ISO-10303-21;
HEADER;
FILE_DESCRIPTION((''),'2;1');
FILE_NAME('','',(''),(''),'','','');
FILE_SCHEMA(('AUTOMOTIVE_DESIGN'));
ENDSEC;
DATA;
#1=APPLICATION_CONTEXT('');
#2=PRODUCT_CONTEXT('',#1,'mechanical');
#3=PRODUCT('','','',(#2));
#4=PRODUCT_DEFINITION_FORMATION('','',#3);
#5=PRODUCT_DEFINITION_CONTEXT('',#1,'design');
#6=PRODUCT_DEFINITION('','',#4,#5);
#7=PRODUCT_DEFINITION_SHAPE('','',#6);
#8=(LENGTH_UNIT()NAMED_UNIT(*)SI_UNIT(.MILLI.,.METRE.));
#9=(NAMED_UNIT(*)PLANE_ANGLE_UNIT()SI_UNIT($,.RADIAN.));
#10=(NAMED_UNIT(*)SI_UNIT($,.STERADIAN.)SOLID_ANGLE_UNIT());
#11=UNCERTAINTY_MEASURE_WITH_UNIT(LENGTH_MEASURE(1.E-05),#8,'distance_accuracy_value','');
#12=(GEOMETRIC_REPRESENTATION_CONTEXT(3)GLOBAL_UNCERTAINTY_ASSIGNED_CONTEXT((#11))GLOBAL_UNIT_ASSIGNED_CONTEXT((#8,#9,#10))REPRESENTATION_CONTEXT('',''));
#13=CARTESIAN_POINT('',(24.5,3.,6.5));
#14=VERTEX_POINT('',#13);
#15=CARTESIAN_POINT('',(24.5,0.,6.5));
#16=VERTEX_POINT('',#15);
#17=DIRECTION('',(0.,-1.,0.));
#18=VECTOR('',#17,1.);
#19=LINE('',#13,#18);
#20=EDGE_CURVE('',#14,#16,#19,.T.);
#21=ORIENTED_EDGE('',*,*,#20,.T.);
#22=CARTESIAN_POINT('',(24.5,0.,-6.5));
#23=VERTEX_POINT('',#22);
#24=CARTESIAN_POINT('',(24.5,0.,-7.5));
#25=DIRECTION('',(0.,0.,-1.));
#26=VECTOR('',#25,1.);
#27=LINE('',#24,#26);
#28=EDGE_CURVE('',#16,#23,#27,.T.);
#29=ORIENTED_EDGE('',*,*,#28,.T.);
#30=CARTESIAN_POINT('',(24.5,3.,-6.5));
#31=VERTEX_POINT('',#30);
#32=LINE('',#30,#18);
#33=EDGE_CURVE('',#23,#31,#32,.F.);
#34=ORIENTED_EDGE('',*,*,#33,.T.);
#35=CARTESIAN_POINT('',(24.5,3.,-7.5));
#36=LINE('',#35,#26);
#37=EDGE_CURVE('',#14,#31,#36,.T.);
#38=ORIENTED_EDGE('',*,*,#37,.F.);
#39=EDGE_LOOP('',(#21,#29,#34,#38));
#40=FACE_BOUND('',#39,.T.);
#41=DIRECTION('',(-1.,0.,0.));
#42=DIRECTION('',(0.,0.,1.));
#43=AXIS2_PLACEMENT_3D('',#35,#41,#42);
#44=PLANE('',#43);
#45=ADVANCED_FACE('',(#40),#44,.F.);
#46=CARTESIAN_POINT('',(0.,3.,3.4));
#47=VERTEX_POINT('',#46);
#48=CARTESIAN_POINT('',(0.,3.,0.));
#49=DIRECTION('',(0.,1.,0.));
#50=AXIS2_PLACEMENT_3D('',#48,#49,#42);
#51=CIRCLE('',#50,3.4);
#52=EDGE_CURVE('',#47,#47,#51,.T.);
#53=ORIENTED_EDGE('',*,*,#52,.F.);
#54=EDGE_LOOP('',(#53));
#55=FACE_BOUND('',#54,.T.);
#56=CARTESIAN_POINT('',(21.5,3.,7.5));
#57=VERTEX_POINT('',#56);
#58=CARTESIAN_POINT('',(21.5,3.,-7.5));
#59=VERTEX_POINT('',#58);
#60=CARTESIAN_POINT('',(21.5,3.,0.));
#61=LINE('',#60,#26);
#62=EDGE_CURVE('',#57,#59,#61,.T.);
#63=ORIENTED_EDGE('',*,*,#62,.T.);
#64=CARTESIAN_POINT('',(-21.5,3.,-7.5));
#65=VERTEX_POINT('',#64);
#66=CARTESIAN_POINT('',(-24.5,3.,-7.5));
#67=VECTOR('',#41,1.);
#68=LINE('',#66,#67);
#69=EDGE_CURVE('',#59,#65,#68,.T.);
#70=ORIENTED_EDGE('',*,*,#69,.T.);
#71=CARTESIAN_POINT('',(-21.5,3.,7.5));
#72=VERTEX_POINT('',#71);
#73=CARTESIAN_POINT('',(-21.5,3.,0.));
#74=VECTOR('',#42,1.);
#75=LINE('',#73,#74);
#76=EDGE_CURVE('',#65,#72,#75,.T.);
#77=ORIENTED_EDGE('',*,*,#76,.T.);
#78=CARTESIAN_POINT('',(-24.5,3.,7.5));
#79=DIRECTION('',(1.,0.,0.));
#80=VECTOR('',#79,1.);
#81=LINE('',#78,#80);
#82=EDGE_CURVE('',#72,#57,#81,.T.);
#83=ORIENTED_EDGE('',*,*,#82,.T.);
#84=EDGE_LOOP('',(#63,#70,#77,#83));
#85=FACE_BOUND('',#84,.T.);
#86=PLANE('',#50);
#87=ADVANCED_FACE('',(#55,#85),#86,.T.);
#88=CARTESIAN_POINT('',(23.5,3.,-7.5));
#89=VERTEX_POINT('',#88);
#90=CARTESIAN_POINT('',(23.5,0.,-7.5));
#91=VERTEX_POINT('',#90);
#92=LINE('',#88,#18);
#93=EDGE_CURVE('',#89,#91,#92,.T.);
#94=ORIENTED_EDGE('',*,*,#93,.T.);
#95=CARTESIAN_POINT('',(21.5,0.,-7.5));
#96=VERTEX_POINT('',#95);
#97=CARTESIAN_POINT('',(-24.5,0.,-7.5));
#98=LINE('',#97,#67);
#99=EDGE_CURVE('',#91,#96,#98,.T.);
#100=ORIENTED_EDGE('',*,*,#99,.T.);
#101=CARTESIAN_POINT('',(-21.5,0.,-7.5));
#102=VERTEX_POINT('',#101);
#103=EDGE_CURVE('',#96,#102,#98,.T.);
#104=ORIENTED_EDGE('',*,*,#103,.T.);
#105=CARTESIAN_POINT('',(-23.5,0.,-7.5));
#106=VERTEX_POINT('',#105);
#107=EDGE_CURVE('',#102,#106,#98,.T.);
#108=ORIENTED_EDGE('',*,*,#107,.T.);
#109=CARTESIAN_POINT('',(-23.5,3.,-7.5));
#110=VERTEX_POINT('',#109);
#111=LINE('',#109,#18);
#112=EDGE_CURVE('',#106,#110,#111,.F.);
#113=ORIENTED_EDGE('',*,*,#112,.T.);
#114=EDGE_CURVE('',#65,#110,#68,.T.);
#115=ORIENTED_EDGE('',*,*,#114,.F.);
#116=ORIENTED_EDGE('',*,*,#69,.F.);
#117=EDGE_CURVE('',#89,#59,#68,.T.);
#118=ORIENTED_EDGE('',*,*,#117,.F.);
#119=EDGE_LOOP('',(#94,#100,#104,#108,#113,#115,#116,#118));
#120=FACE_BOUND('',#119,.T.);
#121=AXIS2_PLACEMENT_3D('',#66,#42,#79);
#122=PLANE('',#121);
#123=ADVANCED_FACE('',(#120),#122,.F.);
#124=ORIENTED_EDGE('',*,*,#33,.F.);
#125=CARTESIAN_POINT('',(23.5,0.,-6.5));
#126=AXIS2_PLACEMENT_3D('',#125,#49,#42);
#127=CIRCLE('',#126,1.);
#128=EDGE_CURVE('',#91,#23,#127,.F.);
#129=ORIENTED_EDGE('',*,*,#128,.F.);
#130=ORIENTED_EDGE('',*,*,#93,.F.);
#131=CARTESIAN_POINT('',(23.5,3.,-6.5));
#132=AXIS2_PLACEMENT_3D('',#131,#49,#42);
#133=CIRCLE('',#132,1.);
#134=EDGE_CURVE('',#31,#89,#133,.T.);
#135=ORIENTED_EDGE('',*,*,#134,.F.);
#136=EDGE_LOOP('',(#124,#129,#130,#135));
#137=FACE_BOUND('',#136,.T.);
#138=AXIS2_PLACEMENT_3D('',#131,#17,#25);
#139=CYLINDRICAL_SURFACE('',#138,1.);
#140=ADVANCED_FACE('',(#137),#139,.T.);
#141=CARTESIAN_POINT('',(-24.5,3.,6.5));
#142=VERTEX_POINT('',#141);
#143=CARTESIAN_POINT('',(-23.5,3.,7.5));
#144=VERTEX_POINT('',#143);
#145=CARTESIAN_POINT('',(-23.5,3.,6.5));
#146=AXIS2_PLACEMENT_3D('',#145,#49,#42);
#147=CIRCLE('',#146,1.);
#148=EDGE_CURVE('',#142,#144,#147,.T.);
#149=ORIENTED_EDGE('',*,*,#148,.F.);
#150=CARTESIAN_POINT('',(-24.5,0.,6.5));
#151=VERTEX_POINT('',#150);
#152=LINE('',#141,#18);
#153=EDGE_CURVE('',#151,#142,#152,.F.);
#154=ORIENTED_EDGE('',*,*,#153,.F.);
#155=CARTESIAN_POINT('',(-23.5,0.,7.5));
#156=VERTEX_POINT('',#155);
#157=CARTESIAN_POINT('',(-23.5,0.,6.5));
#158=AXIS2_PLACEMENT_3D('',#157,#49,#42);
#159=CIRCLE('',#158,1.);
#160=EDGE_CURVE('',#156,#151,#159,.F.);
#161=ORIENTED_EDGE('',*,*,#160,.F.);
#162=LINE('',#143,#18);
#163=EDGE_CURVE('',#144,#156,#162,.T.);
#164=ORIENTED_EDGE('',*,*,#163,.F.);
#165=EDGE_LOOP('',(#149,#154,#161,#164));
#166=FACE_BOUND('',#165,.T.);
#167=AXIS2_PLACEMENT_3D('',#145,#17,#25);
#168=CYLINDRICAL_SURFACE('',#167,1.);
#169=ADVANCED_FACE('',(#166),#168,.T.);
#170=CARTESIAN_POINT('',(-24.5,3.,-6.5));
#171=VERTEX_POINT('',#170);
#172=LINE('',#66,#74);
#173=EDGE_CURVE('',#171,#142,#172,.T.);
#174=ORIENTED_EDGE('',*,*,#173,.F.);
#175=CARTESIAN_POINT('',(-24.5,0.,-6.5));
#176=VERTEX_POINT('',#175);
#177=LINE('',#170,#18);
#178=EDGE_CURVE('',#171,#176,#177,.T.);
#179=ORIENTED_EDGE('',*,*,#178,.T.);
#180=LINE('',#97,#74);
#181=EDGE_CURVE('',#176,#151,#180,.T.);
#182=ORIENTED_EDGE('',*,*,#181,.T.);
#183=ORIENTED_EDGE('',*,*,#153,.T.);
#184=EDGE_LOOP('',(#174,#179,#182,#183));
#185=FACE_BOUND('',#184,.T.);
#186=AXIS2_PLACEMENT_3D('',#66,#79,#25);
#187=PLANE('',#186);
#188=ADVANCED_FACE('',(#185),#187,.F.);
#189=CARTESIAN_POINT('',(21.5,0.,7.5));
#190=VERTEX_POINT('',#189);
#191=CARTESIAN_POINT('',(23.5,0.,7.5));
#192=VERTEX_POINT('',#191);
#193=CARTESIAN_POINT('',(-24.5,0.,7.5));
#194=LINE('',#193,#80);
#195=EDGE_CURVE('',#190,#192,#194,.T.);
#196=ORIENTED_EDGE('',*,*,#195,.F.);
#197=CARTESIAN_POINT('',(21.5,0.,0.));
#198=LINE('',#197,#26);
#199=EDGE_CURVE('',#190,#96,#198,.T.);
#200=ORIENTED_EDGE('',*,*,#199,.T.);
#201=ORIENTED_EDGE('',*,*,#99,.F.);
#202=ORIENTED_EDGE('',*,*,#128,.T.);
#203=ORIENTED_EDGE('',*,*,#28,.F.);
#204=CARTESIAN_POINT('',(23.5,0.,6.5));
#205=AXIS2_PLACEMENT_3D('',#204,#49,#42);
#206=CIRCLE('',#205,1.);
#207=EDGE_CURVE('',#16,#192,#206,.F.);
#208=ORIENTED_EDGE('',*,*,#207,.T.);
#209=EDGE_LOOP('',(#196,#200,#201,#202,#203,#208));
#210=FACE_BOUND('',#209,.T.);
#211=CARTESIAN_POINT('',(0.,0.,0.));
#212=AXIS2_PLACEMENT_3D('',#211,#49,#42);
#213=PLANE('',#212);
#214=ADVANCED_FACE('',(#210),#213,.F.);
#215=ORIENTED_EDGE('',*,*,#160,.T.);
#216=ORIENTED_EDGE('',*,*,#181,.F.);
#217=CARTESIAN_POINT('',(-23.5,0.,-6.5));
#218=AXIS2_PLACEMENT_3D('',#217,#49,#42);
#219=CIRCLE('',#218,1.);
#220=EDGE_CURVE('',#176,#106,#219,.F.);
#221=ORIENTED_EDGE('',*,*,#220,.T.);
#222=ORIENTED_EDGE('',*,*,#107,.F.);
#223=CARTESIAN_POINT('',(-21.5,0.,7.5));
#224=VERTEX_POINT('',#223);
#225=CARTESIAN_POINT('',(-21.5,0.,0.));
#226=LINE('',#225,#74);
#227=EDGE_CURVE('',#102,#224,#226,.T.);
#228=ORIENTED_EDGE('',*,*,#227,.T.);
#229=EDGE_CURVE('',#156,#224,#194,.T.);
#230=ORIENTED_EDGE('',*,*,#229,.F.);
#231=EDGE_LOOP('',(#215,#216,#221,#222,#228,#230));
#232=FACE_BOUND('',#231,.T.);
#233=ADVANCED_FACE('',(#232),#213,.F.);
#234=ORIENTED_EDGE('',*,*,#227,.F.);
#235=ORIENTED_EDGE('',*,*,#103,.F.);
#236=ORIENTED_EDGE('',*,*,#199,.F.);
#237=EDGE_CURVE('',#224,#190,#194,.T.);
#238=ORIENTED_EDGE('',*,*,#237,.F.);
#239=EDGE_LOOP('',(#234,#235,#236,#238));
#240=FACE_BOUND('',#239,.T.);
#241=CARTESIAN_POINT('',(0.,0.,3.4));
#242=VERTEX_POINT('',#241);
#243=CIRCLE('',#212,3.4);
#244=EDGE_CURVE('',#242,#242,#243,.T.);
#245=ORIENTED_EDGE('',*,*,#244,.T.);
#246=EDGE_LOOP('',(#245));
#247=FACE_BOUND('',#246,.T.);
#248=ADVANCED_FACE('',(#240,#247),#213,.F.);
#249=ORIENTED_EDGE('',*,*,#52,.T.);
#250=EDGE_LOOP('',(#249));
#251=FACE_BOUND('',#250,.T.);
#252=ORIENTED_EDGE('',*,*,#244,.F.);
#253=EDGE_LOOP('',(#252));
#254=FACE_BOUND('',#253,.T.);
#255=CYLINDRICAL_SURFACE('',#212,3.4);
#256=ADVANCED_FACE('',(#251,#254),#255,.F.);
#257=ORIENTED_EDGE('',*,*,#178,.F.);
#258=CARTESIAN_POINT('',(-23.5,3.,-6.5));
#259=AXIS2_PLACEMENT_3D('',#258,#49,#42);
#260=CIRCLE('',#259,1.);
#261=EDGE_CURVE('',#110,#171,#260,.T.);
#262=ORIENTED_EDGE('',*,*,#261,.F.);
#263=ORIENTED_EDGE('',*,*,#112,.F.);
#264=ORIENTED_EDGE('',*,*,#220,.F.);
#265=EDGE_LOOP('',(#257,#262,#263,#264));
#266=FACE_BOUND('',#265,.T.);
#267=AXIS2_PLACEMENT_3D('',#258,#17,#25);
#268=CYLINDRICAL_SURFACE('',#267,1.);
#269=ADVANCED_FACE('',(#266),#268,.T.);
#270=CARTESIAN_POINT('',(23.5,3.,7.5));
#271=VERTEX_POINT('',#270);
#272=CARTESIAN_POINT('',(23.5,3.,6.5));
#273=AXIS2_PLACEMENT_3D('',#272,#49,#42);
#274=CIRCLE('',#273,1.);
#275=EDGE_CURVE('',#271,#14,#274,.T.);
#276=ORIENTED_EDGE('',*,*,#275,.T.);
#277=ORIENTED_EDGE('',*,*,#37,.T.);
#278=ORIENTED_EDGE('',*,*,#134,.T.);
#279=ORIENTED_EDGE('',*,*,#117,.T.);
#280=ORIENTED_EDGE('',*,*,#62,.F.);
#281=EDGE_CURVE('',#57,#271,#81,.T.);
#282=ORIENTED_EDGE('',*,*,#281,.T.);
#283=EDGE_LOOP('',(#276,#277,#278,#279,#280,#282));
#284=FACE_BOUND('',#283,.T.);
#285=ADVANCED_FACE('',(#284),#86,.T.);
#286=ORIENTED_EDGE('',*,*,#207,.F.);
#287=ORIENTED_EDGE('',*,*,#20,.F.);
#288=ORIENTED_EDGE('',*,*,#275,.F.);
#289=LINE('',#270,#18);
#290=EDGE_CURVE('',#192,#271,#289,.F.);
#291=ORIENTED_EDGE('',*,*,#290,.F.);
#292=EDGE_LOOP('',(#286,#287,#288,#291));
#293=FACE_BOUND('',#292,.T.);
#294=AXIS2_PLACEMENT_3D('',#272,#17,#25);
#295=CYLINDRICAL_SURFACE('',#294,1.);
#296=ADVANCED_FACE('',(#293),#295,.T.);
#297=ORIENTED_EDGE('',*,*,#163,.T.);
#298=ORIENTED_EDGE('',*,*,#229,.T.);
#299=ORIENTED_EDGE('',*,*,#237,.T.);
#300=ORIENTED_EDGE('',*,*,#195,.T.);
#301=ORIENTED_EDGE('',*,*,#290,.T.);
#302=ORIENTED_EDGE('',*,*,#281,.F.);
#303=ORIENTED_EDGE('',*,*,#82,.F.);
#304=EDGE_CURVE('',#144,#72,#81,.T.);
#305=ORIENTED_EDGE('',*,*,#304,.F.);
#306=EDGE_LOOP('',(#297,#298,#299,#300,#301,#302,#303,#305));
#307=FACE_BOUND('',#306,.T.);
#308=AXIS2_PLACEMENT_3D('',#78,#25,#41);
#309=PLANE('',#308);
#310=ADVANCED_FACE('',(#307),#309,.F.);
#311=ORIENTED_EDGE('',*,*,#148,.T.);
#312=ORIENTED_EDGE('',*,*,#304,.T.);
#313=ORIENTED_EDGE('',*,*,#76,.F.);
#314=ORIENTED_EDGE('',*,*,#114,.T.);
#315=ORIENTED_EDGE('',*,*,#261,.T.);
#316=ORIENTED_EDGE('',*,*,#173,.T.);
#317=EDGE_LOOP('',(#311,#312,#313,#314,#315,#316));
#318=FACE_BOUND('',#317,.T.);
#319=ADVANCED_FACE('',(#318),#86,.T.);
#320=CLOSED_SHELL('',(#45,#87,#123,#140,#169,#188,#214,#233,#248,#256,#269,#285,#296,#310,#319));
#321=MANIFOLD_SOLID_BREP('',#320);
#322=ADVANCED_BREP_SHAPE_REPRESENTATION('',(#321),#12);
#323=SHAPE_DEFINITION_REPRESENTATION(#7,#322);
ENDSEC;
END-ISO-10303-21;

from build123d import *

# Parameters (mm, degrees)
SKETCH1_W           = 49
SKETCH1_H           = 15
BOSS_EXTRUDE1_DEPTH = 3
SKETCH2_R           = 3.4
CUT_EXTRUDE1_DEPTH  = 26.797286679
FILLET1_R           = 1


with BuildPart() as part:
    # Sketch1 → Boss-Extrude1 (new body)
    with BuildSketch(Plane(origin=(0, 0, 0), x_dir=(1, 0, 0), z_dir=(0, 1, 0))):
        Rectangle(SKETCH1_W, SKETCH1_H)
    extrude(amount=BOSS_EXTRUDE1_DEPTH)

    # Sketch2 → Cut-Extrude1 (cut, through all)
    with BuildSketch(Plane(origin=(0, 3, 0), x_dir=(1, 0, 0), z_dir=(0, 1, 0))):
        with Locations(Location((0, 0, 0), (0, 0, 270))):
            Circle(SKETCH2_R)
    extrude(amount=-CUT_EXTRUDE1_DEPTH, mode=Mode.SUBTRACT)

    # Fillet1
    fillet1_edges = [part.edges().sort_by_distance(p)[0] for p in [
        (-24.5, 1.5, -7.5),
        (24.5, 1.5, -7.5),
        (24.5, 1.5, 7.5),
        (-24.5, 1.5, 7.5),
    ]]
    fillet(fillet1_edges, radius=FILLET1_R)


solid = part.part
